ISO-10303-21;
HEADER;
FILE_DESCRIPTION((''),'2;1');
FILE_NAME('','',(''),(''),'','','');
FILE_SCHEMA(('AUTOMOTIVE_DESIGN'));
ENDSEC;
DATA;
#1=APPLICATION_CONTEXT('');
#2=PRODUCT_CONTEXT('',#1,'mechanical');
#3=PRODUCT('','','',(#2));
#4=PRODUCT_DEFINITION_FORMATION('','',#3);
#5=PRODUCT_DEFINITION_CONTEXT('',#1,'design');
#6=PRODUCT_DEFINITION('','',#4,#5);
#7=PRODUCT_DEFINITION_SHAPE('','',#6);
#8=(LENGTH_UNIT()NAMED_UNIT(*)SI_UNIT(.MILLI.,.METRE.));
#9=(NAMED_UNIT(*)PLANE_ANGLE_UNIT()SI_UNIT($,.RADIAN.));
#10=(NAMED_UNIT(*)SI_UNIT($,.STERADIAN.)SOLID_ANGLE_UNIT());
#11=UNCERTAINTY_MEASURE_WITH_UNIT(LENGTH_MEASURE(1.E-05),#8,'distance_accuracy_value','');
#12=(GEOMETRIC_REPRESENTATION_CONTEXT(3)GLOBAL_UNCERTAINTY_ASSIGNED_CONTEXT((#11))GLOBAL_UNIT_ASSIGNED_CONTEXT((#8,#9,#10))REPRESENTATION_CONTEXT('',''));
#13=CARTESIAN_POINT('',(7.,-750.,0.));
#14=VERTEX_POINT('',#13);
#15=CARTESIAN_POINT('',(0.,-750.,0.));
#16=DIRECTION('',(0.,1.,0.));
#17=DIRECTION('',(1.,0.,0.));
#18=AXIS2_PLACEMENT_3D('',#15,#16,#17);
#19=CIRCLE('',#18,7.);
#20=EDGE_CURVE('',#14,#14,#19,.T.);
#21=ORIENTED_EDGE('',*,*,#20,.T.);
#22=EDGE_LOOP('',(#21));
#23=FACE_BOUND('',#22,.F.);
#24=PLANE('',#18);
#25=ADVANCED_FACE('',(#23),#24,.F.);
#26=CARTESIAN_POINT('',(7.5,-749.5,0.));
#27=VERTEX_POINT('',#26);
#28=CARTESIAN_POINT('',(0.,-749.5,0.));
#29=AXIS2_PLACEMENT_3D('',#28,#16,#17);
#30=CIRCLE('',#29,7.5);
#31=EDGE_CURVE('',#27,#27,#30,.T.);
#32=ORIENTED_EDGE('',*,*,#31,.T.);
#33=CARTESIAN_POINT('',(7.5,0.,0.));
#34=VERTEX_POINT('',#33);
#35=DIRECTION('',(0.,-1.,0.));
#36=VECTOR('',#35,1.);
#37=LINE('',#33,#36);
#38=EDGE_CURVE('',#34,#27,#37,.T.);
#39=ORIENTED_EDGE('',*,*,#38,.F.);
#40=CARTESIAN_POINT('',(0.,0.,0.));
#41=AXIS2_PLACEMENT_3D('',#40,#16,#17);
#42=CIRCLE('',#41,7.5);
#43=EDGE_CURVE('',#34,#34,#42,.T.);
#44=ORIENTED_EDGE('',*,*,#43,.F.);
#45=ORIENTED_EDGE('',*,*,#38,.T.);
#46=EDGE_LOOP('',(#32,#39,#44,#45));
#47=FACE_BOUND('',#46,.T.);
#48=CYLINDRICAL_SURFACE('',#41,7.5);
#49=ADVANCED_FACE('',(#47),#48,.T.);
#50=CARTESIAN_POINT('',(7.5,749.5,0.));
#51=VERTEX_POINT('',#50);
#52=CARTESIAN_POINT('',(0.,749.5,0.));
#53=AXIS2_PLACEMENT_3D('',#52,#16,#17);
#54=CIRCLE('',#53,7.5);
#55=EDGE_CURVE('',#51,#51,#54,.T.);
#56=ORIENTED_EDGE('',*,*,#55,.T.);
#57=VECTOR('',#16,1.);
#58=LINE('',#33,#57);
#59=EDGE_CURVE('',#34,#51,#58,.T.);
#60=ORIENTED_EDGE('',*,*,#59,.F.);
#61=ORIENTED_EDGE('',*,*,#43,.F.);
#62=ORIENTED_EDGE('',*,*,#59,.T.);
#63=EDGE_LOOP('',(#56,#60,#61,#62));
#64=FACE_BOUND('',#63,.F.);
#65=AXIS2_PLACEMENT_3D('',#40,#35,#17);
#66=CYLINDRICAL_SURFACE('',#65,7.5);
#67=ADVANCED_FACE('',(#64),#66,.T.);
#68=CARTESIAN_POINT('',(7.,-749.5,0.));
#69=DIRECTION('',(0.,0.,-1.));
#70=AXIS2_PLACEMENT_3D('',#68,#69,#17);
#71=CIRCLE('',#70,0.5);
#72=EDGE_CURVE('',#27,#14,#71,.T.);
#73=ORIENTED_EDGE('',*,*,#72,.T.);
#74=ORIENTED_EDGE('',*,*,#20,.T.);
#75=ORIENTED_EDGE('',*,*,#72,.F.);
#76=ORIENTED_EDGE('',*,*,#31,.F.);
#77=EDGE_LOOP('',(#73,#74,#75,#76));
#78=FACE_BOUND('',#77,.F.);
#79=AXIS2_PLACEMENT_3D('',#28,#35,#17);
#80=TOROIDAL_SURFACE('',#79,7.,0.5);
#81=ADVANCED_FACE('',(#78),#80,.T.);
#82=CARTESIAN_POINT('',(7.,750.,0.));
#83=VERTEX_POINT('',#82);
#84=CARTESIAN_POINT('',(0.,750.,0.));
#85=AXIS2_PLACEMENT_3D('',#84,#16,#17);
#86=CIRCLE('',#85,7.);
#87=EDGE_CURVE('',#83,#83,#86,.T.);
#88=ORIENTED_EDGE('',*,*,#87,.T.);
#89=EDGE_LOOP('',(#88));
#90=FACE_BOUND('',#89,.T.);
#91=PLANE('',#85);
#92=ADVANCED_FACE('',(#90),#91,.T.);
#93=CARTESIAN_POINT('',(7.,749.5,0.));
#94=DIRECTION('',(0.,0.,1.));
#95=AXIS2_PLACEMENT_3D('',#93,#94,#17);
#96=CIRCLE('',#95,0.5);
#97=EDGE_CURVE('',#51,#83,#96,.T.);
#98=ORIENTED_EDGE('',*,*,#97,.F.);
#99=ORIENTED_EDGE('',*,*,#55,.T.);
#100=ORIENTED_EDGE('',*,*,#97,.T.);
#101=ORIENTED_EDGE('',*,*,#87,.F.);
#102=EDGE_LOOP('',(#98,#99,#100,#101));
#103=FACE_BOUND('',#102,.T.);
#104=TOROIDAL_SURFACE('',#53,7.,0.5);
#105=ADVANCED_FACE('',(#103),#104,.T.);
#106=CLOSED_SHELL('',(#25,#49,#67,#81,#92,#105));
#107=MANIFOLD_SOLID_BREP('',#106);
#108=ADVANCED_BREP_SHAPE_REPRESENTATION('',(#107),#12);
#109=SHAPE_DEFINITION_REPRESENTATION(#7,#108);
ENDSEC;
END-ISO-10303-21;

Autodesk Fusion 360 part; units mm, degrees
sketch "Sketch1" plane through (0, 0, 0) normal (0, 1, 0) x (1, 0, 0)
  circle A0 centre (0, 0) radius 7.5
  dimension "d1" = 15
extrude "Extrude1" add sketch "Sketch1" along normal mid plane 1500
fillet "Fillet1" radius 0.5 2 edges at (-6.9925, 750, 2.7121) (-6.9925, -750, -2.7121)
